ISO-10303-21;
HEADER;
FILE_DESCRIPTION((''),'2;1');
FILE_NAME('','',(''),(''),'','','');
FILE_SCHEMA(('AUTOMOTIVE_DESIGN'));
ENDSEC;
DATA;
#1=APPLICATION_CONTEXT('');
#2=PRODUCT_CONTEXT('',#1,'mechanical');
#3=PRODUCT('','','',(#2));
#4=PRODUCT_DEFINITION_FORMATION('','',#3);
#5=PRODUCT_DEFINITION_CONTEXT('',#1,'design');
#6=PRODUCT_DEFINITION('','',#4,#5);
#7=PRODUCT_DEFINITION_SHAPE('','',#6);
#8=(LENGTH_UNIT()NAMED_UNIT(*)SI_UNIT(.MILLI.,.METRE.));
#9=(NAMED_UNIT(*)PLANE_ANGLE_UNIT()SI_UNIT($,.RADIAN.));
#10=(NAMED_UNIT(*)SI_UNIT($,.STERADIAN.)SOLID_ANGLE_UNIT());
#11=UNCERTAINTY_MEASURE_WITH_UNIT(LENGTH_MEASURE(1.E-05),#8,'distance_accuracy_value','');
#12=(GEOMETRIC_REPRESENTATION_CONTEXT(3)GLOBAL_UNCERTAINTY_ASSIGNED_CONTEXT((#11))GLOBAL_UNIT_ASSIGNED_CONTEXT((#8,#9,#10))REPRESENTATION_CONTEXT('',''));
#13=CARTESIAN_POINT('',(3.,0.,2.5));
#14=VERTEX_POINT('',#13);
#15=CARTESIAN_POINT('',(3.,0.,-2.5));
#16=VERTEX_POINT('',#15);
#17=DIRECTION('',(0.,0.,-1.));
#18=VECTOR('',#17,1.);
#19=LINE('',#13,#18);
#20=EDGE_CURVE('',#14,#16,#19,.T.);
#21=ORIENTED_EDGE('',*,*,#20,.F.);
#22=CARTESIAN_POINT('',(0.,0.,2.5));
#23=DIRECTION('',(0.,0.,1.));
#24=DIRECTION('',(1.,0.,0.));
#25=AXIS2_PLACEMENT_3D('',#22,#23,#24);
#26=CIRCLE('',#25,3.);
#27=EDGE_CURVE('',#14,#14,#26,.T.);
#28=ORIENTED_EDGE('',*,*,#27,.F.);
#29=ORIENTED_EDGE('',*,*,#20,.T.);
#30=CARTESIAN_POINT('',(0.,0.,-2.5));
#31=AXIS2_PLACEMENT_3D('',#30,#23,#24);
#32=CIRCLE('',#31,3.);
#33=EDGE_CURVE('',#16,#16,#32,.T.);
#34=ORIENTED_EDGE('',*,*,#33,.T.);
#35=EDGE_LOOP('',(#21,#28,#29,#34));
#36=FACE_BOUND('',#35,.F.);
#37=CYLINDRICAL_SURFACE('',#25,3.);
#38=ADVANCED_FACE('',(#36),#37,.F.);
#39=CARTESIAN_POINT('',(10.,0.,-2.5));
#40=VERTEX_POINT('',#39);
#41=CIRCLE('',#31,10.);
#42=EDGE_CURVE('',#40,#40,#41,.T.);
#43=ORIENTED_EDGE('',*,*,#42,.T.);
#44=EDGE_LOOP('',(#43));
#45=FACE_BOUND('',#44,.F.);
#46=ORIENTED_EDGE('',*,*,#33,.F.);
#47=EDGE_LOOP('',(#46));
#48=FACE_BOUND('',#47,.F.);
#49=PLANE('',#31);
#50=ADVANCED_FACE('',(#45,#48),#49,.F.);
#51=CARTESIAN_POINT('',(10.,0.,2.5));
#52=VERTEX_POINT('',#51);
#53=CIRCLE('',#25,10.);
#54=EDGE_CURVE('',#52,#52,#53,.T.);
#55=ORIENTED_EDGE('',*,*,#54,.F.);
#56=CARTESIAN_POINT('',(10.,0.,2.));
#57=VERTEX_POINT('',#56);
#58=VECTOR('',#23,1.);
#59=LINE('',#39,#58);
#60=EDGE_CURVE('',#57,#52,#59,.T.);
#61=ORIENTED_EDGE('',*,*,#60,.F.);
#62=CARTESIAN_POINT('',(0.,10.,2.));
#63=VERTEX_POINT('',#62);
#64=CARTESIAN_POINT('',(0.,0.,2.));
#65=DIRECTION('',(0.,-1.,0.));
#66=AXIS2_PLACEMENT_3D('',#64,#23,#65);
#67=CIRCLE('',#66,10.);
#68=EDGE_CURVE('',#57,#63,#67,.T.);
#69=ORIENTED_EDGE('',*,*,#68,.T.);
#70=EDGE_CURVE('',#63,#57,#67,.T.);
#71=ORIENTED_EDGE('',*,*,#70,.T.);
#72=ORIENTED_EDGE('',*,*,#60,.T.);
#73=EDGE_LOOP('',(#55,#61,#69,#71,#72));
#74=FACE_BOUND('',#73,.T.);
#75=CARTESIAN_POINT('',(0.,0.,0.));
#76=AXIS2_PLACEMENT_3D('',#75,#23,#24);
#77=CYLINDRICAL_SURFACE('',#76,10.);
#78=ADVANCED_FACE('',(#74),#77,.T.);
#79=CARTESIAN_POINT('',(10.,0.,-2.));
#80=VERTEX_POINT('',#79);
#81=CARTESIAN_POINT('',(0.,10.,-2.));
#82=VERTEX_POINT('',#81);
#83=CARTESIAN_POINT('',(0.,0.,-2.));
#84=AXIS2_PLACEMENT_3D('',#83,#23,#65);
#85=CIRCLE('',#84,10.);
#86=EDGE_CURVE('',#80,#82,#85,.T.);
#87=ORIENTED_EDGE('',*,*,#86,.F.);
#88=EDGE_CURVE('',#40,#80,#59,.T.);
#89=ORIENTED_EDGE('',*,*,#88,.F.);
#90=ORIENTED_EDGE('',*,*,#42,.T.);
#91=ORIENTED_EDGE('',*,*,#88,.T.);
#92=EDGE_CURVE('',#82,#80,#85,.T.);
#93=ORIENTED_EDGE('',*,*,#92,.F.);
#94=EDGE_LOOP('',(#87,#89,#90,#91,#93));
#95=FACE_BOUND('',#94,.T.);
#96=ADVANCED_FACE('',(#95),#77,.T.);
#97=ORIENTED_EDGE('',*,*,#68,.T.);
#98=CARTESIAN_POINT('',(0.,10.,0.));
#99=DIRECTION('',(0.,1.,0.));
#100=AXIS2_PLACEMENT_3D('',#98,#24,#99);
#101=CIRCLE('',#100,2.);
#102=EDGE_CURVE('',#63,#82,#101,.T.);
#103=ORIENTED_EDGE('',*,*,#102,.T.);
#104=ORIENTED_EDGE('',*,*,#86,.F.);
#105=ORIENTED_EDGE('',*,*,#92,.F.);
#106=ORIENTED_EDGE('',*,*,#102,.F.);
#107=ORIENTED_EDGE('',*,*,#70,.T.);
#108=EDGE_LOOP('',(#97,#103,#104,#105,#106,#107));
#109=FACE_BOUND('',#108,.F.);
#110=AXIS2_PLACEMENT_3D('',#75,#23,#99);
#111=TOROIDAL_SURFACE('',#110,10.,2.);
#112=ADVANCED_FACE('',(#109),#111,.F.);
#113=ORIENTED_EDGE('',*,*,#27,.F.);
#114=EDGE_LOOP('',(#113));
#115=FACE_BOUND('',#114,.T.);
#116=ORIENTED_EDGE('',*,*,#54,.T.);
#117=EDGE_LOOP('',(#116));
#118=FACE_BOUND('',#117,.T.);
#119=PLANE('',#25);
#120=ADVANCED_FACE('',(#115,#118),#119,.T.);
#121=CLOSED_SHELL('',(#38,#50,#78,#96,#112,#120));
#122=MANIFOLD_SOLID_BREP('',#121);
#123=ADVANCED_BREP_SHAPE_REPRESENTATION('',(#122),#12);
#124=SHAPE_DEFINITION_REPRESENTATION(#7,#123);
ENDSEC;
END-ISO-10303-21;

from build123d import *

# Parameters (mm, degrees)
F0_R     = 10
F1_DEPTH = 2.5
F2_R     = 2
F4_R     = 3
F5_DEPTH = 25


with BuildPart() as f1:
    # F0 (on Top) → F1 (new body, symmetric)
    with BuildSketch(Plane.XY):
        Circle(F0_R)
    extrude(amount=F1_DEPTH, both=True)

    # F2 (on Right) → F3 (revolve, cut)
    with BuildSketch(Plane.YZ):
        with Locations((10, 0)):
            Circle(F2_R)
    revolve(axis=Axis((0, 0, 4.383557), (0, 0, 1)), mode=Mode.SUBTRACT)

    # F4 (on face) → F5 (cut)
    with BuildSketch(Plane.XY.offset(2.5)):
        Circle(F4_R)
    extrude(amount=-F5_DEPTH, mode=Mode.SUBTRACT)


solid = f1.part
